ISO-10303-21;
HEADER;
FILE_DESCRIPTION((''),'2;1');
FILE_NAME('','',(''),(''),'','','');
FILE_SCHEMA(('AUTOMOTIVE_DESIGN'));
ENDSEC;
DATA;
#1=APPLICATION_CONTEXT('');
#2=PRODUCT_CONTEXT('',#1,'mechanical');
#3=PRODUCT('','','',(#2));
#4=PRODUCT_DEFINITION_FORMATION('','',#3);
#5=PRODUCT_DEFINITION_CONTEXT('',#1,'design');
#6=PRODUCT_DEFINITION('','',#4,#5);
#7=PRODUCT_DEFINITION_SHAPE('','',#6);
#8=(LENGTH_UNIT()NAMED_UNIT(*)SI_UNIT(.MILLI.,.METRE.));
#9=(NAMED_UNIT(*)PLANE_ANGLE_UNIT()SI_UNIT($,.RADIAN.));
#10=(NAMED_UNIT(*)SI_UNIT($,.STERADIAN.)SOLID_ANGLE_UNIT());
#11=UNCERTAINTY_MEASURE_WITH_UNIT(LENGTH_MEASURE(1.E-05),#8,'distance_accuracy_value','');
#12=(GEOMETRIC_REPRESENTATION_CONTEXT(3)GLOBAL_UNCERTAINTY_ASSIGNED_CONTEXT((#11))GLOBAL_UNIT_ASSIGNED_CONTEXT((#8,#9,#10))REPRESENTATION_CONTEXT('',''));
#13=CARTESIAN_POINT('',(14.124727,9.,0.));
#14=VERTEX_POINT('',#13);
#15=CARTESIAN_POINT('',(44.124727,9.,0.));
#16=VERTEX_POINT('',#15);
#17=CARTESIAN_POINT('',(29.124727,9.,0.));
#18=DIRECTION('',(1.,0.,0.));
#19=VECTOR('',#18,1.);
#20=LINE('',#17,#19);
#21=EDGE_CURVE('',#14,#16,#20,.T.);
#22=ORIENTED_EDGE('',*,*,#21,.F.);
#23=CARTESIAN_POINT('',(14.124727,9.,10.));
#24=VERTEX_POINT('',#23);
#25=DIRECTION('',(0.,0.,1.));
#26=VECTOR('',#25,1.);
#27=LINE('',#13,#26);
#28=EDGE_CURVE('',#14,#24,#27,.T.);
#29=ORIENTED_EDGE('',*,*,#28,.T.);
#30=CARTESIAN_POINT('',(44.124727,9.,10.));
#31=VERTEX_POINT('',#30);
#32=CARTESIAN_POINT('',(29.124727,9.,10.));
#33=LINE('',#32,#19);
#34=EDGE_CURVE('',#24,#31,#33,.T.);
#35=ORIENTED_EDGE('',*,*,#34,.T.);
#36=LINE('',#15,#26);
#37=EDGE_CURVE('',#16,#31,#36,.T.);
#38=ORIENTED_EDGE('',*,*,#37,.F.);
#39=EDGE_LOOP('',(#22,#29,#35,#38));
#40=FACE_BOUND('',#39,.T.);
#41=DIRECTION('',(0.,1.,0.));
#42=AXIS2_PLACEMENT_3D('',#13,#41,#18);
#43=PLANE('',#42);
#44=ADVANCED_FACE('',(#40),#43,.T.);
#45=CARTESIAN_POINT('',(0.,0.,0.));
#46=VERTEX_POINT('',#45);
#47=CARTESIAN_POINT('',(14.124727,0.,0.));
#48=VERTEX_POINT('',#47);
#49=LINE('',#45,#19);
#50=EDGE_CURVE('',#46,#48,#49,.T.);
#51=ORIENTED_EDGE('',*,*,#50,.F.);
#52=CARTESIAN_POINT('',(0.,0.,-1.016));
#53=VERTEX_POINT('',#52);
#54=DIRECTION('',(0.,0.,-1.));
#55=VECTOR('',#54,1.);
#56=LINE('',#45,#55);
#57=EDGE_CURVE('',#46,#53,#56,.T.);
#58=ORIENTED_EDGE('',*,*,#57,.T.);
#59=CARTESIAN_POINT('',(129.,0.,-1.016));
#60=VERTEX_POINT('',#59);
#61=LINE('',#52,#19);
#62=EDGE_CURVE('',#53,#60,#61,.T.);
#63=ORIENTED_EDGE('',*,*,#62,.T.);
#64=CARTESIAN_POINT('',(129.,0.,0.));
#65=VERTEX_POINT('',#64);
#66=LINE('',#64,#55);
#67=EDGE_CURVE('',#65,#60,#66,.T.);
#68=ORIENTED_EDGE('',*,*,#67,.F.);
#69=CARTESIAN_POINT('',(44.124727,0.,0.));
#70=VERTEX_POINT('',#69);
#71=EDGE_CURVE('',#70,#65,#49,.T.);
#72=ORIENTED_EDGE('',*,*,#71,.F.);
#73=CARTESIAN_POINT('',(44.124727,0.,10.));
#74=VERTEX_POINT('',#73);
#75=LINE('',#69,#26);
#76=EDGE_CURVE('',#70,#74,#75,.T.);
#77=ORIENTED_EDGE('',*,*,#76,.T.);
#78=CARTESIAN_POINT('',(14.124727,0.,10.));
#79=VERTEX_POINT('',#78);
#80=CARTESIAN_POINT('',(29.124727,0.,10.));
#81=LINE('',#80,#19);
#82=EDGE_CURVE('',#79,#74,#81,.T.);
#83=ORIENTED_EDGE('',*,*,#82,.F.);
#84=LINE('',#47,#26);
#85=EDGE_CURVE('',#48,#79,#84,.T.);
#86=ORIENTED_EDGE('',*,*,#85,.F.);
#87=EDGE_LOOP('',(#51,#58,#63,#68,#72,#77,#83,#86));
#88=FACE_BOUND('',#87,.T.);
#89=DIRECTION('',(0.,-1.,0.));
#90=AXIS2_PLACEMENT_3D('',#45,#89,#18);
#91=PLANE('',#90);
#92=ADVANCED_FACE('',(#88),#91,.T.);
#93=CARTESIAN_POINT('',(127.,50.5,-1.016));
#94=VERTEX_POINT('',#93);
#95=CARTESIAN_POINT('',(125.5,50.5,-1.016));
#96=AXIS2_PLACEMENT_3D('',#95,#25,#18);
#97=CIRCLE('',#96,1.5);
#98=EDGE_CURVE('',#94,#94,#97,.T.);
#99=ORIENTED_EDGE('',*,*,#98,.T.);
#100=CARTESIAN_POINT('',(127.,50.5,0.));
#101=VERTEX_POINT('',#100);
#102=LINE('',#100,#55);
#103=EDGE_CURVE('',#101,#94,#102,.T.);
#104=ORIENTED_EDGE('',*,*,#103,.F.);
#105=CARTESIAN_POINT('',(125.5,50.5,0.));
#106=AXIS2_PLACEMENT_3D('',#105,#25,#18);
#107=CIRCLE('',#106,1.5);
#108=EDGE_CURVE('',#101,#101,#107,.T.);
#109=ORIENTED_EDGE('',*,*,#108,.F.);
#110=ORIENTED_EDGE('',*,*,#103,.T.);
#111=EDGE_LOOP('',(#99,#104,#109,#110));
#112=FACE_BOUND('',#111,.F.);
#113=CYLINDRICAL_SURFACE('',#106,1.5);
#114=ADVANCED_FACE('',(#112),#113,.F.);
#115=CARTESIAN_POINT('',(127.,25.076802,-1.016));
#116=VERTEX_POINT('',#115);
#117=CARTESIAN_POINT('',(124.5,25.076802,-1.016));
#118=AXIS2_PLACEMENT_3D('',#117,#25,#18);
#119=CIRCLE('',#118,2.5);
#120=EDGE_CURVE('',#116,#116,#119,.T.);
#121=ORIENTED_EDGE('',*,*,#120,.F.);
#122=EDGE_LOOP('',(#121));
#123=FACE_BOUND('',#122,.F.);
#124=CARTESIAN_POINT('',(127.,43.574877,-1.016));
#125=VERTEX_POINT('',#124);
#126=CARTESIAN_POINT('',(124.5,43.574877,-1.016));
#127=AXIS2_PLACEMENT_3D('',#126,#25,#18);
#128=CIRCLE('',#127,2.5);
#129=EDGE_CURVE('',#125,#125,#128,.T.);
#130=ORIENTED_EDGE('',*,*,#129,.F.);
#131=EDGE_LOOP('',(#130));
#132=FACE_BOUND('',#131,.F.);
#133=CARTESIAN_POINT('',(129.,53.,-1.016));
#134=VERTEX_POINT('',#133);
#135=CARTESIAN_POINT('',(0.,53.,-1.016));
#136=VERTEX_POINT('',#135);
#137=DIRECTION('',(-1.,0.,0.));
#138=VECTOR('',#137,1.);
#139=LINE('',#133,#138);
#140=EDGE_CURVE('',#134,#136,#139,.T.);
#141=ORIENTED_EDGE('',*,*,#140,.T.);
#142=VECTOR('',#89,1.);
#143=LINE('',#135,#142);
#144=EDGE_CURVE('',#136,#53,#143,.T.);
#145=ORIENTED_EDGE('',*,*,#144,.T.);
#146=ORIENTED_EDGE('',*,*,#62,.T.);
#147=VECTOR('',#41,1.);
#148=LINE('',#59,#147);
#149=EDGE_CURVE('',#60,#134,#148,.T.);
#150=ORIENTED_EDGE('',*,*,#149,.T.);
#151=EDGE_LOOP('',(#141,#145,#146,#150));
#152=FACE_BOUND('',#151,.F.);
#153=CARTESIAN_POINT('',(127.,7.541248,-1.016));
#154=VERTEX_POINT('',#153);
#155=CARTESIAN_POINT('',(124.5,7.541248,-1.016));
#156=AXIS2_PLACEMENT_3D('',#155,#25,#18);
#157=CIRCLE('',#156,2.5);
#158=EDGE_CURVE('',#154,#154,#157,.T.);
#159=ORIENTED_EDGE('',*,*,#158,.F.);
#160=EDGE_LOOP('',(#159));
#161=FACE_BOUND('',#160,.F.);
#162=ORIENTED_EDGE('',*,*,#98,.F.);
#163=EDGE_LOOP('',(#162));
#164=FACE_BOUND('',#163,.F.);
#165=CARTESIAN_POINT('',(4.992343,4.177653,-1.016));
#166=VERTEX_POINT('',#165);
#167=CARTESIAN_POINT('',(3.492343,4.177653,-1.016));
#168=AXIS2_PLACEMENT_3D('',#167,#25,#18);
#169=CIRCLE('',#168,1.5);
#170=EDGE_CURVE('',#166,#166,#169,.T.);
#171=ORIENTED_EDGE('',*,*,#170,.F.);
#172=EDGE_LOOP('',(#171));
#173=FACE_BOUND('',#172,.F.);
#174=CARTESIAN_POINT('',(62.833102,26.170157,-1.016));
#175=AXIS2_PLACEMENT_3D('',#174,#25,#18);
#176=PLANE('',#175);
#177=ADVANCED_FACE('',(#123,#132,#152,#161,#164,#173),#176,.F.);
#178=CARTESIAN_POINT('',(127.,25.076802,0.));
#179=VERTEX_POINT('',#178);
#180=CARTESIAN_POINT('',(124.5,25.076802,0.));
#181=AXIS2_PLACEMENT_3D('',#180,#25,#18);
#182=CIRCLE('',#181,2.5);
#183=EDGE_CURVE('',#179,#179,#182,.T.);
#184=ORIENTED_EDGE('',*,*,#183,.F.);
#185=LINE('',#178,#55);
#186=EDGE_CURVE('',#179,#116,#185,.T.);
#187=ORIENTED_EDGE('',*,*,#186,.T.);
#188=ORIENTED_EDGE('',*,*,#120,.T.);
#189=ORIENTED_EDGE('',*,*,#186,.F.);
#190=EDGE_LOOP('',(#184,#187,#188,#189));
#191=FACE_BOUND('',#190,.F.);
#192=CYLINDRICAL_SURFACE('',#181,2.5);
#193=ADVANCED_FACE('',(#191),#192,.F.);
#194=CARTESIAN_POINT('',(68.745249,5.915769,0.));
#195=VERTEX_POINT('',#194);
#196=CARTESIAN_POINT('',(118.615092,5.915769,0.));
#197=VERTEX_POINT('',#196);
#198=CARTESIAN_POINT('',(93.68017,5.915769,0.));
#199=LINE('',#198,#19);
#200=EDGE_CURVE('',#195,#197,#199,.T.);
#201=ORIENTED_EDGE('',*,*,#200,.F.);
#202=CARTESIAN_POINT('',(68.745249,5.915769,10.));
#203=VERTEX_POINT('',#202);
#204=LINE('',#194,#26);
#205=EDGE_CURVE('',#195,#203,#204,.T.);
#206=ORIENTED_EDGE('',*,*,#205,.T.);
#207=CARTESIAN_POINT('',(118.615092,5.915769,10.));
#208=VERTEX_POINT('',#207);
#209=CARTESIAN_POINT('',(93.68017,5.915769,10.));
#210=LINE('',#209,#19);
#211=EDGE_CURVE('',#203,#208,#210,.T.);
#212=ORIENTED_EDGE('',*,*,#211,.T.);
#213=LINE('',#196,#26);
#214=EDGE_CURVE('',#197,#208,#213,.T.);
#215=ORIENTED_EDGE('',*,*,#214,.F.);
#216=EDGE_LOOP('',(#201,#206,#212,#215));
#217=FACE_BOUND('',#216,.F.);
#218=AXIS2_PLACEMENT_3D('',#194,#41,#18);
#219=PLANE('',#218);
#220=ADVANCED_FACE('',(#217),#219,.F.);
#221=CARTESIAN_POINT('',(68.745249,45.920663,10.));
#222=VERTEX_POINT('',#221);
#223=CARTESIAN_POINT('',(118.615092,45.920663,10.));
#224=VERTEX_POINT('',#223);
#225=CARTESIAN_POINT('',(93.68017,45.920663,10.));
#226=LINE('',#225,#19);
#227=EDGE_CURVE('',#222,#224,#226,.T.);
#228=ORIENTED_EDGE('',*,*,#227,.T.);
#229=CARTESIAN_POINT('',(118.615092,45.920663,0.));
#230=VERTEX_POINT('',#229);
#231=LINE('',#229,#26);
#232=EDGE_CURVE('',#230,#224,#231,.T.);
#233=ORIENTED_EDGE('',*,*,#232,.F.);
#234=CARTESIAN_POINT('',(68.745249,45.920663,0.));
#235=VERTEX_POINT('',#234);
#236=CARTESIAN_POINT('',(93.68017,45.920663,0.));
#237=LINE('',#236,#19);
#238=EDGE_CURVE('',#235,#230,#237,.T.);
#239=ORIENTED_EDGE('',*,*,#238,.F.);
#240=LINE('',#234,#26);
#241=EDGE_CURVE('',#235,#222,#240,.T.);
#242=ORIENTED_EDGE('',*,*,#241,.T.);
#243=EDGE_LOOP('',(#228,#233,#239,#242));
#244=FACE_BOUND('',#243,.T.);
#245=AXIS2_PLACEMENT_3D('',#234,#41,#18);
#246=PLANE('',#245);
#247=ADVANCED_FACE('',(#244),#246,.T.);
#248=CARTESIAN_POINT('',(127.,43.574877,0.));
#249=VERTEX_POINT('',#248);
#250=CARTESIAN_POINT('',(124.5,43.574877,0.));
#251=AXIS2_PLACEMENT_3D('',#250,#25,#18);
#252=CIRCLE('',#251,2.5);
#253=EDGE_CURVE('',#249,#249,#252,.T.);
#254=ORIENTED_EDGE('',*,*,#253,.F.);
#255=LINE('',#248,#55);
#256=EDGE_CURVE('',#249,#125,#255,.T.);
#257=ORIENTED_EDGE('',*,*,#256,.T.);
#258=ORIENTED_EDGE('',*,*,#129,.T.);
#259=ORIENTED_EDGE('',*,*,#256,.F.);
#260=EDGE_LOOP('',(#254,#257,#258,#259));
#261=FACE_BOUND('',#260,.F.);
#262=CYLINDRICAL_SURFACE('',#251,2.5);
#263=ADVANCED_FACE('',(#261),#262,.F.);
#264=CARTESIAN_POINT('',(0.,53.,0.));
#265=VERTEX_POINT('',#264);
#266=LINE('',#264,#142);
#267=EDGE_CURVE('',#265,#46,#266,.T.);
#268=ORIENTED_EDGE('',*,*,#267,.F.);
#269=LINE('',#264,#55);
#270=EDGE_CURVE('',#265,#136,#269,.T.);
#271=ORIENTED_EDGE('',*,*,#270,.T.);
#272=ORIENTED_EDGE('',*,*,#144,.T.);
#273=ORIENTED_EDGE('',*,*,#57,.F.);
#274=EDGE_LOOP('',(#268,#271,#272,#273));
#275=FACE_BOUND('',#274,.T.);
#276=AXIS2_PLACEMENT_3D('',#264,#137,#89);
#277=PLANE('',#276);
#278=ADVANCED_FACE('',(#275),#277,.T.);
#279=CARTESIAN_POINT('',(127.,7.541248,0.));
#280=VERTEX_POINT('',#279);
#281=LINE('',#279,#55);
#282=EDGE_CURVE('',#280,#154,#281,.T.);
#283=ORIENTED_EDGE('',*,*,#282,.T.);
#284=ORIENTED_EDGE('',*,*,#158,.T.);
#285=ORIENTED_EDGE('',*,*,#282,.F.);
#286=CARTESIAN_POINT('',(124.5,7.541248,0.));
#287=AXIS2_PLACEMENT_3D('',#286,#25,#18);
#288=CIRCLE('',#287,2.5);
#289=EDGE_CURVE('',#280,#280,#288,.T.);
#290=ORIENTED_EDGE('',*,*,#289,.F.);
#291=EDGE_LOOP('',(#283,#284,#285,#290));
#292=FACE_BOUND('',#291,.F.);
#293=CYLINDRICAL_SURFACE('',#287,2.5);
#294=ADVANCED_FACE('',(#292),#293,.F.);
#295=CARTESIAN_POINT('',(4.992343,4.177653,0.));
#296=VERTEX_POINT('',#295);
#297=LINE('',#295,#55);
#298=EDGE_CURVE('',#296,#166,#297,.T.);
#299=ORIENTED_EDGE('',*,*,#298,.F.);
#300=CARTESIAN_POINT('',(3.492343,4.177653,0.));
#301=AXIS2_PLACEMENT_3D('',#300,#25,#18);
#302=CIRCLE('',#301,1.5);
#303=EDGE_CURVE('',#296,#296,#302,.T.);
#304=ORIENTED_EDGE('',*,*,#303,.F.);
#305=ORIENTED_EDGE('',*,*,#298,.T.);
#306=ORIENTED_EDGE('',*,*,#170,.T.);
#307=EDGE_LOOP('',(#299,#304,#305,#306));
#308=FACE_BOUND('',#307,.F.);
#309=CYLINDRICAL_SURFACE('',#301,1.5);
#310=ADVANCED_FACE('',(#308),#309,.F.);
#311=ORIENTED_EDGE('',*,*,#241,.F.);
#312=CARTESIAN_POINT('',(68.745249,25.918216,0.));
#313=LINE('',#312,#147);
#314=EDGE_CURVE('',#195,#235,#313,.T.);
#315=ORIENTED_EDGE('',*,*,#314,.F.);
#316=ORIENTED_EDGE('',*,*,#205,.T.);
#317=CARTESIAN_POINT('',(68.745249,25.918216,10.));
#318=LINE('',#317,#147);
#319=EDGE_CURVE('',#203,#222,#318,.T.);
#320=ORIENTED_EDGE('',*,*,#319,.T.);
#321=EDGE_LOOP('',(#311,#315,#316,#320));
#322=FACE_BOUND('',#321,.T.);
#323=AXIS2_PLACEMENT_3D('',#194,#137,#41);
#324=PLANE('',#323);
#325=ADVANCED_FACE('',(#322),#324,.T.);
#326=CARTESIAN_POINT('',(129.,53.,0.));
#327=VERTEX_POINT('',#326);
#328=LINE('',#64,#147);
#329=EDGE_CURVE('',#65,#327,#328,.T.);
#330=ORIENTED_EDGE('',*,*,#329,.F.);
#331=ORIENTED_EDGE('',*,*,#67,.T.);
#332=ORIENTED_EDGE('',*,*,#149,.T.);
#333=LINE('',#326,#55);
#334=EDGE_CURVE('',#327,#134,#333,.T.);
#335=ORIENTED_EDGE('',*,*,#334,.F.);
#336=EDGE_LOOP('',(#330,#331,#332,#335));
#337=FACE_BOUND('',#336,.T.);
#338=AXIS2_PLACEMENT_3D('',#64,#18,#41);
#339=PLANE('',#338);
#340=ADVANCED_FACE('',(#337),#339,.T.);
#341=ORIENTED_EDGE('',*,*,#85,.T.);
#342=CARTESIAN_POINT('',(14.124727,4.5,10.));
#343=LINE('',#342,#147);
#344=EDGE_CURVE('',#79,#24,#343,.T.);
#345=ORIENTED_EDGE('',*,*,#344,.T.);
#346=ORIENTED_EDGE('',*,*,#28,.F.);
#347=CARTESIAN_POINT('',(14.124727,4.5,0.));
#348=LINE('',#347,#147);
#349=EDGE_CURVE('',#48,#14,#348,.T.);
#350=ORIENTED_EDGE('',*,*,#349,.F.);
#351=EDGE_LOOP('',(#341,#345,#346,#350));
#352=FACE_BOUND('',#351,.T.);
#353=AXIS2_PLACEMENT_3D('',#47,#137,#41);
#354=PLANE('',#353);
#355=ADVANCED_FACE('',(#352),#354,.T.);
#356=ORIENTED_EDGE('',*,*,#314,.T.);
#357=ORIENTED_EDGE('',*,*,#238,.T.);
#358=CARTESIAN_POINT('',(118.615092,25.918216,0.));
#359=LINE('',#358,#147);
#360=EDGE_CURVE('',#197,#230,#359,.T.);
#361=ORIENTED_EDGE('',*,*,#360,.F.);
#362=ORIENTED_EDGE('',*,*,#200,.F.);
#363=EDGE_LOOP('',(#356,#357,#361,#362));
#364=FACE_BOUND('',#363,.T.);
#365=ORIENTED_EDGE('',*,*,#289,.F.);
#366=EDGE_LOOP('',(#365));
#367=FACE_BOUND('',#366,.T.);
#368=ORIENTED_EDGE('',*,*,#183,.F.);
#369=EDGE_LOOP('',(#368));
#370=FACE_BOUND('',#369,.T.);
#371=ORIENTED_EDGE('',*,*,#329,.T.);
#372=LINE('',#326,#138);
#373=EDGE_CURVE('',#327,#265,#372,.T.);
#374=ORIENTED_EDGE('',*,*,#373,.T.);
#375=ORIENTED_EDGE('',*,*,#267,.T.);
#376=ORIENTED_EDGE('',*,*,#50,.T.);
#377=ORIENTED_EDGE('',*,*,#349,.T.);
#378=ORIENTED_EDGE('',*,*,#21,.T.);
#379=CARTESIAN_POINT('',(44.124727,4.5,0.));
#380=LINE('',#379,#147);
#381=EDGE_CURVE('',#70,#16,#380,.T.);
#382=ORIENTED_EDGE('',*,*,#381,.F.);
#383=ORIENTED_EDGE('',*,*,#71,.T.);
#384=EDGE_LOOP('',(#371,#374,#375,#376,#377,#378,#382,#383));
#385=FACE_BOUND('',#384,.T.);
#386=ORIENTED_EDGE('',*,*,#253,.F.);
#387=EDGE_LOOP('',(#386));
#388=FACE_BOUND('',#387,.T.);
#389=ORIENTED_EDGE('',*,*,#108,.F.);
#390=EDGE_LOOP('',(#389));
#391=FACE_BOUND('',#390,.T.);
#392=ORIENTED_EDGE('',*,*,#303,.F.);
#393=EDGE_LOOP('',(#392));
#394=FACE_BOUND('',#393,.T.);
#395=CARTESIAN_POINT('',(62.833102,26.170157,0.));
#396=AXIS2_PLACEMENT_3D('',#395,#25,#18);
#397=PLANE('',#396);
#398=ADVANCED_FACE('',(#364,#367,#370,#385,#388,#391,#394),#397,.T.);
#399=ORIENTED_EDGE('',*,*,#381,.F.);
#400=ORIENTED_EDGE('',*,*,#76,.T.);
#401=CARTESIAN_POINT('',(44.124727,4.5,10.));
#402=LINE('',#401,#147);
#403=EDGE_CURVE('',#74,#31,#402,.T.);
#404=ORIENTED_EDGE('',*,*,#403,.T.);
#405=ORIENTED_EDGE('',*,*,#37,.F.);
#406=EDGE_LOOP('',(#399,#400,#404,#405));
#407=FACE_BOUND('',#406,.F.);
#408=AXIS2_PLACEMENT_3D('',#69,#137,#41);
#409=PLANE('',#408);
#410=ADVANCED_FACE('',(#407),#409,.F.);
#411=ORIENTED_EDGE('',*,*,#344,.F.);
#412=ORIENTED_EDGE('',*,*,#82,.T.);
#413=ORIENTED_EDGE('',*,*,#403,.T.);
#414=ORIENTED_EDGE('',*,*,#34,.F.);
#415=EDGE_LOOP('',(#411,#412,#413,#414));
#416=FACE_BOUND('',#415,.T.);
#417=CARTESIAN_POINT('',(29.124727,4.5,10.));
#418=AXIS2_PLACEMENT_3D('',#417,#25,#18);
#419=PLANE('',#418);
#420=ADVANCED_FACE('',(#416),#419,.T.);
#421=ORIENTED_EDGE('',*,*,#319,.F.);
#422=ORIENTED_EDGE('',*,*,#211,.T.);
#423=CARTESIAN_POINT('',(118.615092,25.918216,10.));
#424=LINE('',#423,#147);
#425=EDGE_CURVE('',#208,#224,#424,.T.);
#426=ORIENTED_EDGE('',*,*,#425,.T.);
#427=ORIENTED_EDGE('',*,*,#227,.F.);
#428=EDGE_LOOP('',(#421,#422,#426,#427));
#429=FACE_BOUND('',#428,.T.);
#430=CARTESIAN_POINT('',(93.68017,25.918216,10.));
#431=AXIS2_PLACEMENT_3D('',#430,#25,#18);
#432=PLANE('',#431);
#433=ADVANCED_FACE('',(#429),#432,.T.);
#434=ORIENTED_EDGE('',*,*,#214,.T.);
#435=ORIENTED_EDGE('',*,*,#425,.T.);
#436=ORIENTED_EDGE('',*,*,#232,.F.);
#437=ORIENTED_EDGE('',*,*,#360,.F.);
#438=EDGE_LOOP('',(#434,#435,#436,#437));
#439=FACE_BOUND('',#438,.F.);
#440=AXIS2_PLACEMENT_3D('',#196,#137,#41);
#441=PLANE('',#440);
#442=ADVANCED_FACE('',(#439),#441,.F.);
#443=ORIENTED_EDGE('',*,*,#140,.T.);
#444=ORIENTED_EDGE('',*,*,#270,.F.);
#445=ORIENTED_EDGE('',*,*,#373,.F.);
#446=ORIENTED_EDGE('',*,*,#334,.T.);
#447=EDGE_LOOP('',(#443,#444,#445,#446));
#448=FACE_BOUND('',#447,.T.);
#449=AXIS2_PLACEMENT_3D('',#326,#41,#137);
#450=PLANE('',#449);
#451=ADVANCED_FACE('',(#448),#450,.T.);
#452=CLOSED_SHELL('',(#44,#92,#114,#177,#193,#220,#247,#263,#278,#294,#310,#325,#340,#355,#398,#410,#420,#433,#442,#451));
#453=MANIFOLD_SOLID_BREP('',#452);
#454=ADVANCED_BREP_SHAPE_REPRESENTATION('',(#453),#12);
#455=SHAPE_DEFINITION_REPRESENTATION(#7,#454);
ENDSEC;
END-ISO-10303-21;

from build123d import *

# Parameters (mm, degrees)
F0_R     = 1.5
F0_R_2   = 2.5
F0_W     = 49.869843
F0_H     = 40.004894
F0_W_2   = 30
F0_H_2   = 9
F1_DEPTH = 1.016
F2_DEPTH = 10


with BuildPart() as f1:
    # F0 (on Top) → F1 (new body)
    with BuildSketch(Plane.XY):
        Polygon((0, 53), (0, 0), (14.124727, 0), (14.124727, 9), (44.124727, 9), (44.124727, 0), (129, 0), (129, 53), align=None)
        with Locations((3.492343, 4.177653)):
            Circle(F0_R, mode=Mode.SUBTRACT)
        with Locations((124.5, 7.541248)):
            Circle(F0_R_2, mode=Mode.SUBTRACT)
        with Locations((93.68017, 25.918216)):
            Rectangle(F0_W, F0_H, mode=Mode.SUBTRACT)
        with Locations((124.5, 25.076802)):
            Circle(F0_R_2, mode=Mode.SUBTRACT)
        with Locations((124.5, 43.574877)):
            Circle(F0_R_2, mode=Mode.SUBTRACT)
        with Locations((125.5, 50.5)):
            Circle(F0_R, mode=Mode.SUBTRACT)
        with Locations((93.68017, 25.918216)):
            Rectangle(F0_W, F0_H)
        with Locations((29.124727, 4.5)):
            Rectangle(F0_W_2, F0_H_2)
    extrude(amount=-F1_DEPTH)

    # F0 (on Top) → F2 (join)
    with BuildSketch(Plane.XY):
        with Locations((29.124727, 4.5)):
            Rectangle(F0_W_2, F0_H_2)
        with Locations((93.68017, 25.918216)):
            Rectangle(F0_W, F0_H)
    extrude(amount=F2_DEPTH)


solid = f1.part
